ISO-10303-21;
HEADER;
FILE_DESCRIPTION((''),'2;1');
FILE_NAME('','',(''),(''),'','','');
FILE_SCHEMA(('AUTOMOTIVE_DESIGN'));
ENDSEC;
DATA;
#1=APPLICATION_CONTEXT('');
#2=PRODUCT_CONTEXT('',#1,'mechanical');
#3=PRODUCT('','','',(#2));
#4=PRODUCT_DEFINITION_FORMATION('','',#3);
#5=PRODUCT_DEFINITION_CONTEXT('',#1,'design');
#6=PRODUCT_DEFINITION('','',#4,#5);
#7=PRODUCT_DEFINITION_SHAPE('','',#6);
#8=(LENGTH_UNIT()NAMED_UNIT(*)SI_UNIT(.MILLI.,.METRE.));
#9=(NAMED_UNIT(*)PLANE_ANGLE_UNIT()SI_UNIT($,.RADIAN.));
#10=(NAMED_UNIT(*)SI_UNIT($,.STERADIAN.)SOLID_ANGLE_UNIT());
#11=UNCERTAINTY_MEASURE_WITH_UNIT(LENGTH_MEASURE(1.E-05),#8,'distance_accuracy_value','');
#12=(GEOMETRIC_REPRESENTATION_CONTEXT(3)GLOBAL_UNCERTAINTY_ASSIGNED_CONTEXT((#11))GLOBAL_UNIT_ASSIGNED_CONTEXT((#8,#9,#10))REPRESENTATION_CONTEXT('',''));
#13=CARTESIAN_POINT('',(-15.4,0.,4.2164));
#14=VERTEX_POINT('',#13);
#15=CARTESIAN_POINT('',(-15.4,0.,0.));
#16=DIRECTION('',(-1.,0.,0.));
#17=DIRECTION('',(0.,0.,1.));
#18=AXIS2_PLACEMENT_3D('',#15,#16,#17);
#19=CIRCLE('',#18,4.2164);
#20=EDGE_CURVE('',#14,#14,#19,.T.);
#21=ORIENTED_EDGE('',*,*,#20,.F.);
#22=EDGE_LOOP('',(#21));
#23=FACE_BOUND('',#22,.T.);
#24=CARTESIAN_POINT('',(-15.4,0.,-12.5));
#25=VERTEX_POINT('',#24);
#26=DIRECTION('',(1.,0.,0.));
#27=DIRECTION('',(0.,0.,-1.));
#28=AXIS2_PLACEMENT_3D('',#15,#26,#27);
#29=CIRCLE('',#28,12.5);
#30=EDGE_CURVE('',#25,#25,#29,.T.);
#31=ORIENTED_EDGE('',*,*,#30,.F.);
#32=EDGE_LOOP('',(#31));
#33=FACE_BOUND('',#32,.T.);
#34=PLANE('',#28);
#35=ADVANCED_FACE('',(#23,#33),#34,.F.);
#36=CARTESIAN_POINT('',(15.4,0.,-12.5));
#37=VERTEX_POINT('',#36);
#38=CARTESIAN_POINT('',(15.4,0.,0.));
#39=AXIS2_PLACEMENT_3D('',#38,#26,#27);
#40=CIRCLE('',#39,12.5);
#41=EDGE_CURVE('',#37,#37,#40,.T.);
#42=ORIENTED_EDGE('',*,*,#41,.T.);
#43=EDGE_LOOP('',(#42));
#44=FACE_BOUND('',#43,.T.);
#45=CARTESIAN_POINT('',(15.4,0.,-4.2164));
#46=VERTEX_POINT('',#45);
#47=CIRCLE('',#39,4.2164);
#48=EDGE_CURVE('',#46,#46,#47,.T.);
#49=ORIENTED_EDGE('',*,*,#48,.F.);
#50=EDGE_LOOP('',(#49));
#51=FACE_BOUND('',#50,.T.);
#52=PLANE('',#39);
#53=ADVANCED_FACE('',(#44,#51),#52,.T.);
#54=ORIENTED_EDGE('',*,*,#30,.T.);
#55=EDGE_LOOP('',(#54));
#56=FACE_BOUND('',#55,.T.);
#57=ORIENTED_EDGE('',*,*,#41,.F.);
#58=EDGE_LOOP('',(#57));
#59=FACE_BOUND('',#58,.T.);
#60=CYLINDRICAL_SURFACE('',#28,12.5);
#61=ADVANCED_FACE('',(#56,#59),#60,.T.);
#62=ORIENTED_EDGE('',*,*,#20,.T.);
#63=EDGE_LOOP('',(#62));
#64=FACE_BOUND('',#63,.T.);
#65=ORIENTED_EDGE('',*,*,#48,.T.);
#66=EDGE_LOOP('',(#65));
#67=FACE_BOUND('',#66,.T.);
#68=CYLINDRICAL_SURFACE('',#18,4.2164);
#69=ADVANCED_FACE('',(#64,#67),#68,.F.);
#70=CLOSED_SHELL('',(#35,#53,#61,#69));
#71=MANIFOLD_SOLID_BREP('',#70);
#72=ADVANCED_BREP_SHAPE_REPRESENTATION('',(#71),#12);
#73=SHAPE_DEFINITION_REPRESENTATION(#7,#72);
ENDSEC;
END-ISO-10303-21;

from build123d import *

# Parameters (mm, degrees)
EXTRUDE1_START              = -15.4
SKETCH1_R                   = 12.5
EXTRUDE1_DEPTH              = 30.8
F_3_8_24_TAPPED_HOLE3_D     = 8.4328
F_3_8_24_TAPPED_HOLE3_DEPTH = 15
F_3_8_24_TAPPED_HOLE3_TIP   = 2.533468714
F_3_8_24_TAPPED_HOLE4_D     = 8.4328
F_3_8_24_TAPPED_HOLE4_DEPTH = 18
F_3_8_24_TAPPED_HOLE4_TIP   = 2.533468714


with BuildPart() as part:
    # Sketch1 → Extrude1 (new body)
    with BuildSketch(Plane(origin=(0, 0, 0), x_dir=(0, 0, -1), z_dir=(1, 0, 0)).offset(EXTRUDE1_START)):
        Circle(SKETCH1_R)
    extrude(amount=EXTRUDE1_DEPTH)

    # 3_8-24 Tapped Hole3
    with Locations(Plane.ZY.offset(15.4)):
        with Locations((0, 0)):
            Hole(F_3_8_24_TAPPED_HOLE3_D / 2, depth=F_3_8_24_TAPPED_HOLE3_DEPTH)
            with Locations((0, 0, -(F_3_8_24_TAPPED_HOLE3_DEPTH + F_3_8_24_TAPPED_HOLE3_TIP / 2))):  # 118° drill point
                Cone(0, F_3_8_24_TAPPED_HOLE3_D / 2, F_3_8_24_TAPPED_HOLE3_TIP, mode=Mode.SUBTRACT)

    # 3_8-24 Tapped Hole4
    with Locations(Plane(origin=(15.4, 0, 0), x_dir=(0, 0, -1), z_dir=(1, 0, 0))):
        with Locations((0, 0)):
            Hole(F_3_8_24_TAPPED_HOLE4_D / 2, depth=F_3_8_24_TAPPED_HOLE4_DEPTH)
            with Locations((0, 0, -(F_3_8_24_TAPPED_HOLE4_DEPTH + F_3_8_24_TAPPED_HOLE4_TIP / 2))):  # 118° drill point
                Cone(0, F_3_8_24_TAPPED_HOLE4_D / 2, F_3_8_24_TAPPED_HOLE4_TIP, mode=Mode.SUBTRACT)


solid = part.part
